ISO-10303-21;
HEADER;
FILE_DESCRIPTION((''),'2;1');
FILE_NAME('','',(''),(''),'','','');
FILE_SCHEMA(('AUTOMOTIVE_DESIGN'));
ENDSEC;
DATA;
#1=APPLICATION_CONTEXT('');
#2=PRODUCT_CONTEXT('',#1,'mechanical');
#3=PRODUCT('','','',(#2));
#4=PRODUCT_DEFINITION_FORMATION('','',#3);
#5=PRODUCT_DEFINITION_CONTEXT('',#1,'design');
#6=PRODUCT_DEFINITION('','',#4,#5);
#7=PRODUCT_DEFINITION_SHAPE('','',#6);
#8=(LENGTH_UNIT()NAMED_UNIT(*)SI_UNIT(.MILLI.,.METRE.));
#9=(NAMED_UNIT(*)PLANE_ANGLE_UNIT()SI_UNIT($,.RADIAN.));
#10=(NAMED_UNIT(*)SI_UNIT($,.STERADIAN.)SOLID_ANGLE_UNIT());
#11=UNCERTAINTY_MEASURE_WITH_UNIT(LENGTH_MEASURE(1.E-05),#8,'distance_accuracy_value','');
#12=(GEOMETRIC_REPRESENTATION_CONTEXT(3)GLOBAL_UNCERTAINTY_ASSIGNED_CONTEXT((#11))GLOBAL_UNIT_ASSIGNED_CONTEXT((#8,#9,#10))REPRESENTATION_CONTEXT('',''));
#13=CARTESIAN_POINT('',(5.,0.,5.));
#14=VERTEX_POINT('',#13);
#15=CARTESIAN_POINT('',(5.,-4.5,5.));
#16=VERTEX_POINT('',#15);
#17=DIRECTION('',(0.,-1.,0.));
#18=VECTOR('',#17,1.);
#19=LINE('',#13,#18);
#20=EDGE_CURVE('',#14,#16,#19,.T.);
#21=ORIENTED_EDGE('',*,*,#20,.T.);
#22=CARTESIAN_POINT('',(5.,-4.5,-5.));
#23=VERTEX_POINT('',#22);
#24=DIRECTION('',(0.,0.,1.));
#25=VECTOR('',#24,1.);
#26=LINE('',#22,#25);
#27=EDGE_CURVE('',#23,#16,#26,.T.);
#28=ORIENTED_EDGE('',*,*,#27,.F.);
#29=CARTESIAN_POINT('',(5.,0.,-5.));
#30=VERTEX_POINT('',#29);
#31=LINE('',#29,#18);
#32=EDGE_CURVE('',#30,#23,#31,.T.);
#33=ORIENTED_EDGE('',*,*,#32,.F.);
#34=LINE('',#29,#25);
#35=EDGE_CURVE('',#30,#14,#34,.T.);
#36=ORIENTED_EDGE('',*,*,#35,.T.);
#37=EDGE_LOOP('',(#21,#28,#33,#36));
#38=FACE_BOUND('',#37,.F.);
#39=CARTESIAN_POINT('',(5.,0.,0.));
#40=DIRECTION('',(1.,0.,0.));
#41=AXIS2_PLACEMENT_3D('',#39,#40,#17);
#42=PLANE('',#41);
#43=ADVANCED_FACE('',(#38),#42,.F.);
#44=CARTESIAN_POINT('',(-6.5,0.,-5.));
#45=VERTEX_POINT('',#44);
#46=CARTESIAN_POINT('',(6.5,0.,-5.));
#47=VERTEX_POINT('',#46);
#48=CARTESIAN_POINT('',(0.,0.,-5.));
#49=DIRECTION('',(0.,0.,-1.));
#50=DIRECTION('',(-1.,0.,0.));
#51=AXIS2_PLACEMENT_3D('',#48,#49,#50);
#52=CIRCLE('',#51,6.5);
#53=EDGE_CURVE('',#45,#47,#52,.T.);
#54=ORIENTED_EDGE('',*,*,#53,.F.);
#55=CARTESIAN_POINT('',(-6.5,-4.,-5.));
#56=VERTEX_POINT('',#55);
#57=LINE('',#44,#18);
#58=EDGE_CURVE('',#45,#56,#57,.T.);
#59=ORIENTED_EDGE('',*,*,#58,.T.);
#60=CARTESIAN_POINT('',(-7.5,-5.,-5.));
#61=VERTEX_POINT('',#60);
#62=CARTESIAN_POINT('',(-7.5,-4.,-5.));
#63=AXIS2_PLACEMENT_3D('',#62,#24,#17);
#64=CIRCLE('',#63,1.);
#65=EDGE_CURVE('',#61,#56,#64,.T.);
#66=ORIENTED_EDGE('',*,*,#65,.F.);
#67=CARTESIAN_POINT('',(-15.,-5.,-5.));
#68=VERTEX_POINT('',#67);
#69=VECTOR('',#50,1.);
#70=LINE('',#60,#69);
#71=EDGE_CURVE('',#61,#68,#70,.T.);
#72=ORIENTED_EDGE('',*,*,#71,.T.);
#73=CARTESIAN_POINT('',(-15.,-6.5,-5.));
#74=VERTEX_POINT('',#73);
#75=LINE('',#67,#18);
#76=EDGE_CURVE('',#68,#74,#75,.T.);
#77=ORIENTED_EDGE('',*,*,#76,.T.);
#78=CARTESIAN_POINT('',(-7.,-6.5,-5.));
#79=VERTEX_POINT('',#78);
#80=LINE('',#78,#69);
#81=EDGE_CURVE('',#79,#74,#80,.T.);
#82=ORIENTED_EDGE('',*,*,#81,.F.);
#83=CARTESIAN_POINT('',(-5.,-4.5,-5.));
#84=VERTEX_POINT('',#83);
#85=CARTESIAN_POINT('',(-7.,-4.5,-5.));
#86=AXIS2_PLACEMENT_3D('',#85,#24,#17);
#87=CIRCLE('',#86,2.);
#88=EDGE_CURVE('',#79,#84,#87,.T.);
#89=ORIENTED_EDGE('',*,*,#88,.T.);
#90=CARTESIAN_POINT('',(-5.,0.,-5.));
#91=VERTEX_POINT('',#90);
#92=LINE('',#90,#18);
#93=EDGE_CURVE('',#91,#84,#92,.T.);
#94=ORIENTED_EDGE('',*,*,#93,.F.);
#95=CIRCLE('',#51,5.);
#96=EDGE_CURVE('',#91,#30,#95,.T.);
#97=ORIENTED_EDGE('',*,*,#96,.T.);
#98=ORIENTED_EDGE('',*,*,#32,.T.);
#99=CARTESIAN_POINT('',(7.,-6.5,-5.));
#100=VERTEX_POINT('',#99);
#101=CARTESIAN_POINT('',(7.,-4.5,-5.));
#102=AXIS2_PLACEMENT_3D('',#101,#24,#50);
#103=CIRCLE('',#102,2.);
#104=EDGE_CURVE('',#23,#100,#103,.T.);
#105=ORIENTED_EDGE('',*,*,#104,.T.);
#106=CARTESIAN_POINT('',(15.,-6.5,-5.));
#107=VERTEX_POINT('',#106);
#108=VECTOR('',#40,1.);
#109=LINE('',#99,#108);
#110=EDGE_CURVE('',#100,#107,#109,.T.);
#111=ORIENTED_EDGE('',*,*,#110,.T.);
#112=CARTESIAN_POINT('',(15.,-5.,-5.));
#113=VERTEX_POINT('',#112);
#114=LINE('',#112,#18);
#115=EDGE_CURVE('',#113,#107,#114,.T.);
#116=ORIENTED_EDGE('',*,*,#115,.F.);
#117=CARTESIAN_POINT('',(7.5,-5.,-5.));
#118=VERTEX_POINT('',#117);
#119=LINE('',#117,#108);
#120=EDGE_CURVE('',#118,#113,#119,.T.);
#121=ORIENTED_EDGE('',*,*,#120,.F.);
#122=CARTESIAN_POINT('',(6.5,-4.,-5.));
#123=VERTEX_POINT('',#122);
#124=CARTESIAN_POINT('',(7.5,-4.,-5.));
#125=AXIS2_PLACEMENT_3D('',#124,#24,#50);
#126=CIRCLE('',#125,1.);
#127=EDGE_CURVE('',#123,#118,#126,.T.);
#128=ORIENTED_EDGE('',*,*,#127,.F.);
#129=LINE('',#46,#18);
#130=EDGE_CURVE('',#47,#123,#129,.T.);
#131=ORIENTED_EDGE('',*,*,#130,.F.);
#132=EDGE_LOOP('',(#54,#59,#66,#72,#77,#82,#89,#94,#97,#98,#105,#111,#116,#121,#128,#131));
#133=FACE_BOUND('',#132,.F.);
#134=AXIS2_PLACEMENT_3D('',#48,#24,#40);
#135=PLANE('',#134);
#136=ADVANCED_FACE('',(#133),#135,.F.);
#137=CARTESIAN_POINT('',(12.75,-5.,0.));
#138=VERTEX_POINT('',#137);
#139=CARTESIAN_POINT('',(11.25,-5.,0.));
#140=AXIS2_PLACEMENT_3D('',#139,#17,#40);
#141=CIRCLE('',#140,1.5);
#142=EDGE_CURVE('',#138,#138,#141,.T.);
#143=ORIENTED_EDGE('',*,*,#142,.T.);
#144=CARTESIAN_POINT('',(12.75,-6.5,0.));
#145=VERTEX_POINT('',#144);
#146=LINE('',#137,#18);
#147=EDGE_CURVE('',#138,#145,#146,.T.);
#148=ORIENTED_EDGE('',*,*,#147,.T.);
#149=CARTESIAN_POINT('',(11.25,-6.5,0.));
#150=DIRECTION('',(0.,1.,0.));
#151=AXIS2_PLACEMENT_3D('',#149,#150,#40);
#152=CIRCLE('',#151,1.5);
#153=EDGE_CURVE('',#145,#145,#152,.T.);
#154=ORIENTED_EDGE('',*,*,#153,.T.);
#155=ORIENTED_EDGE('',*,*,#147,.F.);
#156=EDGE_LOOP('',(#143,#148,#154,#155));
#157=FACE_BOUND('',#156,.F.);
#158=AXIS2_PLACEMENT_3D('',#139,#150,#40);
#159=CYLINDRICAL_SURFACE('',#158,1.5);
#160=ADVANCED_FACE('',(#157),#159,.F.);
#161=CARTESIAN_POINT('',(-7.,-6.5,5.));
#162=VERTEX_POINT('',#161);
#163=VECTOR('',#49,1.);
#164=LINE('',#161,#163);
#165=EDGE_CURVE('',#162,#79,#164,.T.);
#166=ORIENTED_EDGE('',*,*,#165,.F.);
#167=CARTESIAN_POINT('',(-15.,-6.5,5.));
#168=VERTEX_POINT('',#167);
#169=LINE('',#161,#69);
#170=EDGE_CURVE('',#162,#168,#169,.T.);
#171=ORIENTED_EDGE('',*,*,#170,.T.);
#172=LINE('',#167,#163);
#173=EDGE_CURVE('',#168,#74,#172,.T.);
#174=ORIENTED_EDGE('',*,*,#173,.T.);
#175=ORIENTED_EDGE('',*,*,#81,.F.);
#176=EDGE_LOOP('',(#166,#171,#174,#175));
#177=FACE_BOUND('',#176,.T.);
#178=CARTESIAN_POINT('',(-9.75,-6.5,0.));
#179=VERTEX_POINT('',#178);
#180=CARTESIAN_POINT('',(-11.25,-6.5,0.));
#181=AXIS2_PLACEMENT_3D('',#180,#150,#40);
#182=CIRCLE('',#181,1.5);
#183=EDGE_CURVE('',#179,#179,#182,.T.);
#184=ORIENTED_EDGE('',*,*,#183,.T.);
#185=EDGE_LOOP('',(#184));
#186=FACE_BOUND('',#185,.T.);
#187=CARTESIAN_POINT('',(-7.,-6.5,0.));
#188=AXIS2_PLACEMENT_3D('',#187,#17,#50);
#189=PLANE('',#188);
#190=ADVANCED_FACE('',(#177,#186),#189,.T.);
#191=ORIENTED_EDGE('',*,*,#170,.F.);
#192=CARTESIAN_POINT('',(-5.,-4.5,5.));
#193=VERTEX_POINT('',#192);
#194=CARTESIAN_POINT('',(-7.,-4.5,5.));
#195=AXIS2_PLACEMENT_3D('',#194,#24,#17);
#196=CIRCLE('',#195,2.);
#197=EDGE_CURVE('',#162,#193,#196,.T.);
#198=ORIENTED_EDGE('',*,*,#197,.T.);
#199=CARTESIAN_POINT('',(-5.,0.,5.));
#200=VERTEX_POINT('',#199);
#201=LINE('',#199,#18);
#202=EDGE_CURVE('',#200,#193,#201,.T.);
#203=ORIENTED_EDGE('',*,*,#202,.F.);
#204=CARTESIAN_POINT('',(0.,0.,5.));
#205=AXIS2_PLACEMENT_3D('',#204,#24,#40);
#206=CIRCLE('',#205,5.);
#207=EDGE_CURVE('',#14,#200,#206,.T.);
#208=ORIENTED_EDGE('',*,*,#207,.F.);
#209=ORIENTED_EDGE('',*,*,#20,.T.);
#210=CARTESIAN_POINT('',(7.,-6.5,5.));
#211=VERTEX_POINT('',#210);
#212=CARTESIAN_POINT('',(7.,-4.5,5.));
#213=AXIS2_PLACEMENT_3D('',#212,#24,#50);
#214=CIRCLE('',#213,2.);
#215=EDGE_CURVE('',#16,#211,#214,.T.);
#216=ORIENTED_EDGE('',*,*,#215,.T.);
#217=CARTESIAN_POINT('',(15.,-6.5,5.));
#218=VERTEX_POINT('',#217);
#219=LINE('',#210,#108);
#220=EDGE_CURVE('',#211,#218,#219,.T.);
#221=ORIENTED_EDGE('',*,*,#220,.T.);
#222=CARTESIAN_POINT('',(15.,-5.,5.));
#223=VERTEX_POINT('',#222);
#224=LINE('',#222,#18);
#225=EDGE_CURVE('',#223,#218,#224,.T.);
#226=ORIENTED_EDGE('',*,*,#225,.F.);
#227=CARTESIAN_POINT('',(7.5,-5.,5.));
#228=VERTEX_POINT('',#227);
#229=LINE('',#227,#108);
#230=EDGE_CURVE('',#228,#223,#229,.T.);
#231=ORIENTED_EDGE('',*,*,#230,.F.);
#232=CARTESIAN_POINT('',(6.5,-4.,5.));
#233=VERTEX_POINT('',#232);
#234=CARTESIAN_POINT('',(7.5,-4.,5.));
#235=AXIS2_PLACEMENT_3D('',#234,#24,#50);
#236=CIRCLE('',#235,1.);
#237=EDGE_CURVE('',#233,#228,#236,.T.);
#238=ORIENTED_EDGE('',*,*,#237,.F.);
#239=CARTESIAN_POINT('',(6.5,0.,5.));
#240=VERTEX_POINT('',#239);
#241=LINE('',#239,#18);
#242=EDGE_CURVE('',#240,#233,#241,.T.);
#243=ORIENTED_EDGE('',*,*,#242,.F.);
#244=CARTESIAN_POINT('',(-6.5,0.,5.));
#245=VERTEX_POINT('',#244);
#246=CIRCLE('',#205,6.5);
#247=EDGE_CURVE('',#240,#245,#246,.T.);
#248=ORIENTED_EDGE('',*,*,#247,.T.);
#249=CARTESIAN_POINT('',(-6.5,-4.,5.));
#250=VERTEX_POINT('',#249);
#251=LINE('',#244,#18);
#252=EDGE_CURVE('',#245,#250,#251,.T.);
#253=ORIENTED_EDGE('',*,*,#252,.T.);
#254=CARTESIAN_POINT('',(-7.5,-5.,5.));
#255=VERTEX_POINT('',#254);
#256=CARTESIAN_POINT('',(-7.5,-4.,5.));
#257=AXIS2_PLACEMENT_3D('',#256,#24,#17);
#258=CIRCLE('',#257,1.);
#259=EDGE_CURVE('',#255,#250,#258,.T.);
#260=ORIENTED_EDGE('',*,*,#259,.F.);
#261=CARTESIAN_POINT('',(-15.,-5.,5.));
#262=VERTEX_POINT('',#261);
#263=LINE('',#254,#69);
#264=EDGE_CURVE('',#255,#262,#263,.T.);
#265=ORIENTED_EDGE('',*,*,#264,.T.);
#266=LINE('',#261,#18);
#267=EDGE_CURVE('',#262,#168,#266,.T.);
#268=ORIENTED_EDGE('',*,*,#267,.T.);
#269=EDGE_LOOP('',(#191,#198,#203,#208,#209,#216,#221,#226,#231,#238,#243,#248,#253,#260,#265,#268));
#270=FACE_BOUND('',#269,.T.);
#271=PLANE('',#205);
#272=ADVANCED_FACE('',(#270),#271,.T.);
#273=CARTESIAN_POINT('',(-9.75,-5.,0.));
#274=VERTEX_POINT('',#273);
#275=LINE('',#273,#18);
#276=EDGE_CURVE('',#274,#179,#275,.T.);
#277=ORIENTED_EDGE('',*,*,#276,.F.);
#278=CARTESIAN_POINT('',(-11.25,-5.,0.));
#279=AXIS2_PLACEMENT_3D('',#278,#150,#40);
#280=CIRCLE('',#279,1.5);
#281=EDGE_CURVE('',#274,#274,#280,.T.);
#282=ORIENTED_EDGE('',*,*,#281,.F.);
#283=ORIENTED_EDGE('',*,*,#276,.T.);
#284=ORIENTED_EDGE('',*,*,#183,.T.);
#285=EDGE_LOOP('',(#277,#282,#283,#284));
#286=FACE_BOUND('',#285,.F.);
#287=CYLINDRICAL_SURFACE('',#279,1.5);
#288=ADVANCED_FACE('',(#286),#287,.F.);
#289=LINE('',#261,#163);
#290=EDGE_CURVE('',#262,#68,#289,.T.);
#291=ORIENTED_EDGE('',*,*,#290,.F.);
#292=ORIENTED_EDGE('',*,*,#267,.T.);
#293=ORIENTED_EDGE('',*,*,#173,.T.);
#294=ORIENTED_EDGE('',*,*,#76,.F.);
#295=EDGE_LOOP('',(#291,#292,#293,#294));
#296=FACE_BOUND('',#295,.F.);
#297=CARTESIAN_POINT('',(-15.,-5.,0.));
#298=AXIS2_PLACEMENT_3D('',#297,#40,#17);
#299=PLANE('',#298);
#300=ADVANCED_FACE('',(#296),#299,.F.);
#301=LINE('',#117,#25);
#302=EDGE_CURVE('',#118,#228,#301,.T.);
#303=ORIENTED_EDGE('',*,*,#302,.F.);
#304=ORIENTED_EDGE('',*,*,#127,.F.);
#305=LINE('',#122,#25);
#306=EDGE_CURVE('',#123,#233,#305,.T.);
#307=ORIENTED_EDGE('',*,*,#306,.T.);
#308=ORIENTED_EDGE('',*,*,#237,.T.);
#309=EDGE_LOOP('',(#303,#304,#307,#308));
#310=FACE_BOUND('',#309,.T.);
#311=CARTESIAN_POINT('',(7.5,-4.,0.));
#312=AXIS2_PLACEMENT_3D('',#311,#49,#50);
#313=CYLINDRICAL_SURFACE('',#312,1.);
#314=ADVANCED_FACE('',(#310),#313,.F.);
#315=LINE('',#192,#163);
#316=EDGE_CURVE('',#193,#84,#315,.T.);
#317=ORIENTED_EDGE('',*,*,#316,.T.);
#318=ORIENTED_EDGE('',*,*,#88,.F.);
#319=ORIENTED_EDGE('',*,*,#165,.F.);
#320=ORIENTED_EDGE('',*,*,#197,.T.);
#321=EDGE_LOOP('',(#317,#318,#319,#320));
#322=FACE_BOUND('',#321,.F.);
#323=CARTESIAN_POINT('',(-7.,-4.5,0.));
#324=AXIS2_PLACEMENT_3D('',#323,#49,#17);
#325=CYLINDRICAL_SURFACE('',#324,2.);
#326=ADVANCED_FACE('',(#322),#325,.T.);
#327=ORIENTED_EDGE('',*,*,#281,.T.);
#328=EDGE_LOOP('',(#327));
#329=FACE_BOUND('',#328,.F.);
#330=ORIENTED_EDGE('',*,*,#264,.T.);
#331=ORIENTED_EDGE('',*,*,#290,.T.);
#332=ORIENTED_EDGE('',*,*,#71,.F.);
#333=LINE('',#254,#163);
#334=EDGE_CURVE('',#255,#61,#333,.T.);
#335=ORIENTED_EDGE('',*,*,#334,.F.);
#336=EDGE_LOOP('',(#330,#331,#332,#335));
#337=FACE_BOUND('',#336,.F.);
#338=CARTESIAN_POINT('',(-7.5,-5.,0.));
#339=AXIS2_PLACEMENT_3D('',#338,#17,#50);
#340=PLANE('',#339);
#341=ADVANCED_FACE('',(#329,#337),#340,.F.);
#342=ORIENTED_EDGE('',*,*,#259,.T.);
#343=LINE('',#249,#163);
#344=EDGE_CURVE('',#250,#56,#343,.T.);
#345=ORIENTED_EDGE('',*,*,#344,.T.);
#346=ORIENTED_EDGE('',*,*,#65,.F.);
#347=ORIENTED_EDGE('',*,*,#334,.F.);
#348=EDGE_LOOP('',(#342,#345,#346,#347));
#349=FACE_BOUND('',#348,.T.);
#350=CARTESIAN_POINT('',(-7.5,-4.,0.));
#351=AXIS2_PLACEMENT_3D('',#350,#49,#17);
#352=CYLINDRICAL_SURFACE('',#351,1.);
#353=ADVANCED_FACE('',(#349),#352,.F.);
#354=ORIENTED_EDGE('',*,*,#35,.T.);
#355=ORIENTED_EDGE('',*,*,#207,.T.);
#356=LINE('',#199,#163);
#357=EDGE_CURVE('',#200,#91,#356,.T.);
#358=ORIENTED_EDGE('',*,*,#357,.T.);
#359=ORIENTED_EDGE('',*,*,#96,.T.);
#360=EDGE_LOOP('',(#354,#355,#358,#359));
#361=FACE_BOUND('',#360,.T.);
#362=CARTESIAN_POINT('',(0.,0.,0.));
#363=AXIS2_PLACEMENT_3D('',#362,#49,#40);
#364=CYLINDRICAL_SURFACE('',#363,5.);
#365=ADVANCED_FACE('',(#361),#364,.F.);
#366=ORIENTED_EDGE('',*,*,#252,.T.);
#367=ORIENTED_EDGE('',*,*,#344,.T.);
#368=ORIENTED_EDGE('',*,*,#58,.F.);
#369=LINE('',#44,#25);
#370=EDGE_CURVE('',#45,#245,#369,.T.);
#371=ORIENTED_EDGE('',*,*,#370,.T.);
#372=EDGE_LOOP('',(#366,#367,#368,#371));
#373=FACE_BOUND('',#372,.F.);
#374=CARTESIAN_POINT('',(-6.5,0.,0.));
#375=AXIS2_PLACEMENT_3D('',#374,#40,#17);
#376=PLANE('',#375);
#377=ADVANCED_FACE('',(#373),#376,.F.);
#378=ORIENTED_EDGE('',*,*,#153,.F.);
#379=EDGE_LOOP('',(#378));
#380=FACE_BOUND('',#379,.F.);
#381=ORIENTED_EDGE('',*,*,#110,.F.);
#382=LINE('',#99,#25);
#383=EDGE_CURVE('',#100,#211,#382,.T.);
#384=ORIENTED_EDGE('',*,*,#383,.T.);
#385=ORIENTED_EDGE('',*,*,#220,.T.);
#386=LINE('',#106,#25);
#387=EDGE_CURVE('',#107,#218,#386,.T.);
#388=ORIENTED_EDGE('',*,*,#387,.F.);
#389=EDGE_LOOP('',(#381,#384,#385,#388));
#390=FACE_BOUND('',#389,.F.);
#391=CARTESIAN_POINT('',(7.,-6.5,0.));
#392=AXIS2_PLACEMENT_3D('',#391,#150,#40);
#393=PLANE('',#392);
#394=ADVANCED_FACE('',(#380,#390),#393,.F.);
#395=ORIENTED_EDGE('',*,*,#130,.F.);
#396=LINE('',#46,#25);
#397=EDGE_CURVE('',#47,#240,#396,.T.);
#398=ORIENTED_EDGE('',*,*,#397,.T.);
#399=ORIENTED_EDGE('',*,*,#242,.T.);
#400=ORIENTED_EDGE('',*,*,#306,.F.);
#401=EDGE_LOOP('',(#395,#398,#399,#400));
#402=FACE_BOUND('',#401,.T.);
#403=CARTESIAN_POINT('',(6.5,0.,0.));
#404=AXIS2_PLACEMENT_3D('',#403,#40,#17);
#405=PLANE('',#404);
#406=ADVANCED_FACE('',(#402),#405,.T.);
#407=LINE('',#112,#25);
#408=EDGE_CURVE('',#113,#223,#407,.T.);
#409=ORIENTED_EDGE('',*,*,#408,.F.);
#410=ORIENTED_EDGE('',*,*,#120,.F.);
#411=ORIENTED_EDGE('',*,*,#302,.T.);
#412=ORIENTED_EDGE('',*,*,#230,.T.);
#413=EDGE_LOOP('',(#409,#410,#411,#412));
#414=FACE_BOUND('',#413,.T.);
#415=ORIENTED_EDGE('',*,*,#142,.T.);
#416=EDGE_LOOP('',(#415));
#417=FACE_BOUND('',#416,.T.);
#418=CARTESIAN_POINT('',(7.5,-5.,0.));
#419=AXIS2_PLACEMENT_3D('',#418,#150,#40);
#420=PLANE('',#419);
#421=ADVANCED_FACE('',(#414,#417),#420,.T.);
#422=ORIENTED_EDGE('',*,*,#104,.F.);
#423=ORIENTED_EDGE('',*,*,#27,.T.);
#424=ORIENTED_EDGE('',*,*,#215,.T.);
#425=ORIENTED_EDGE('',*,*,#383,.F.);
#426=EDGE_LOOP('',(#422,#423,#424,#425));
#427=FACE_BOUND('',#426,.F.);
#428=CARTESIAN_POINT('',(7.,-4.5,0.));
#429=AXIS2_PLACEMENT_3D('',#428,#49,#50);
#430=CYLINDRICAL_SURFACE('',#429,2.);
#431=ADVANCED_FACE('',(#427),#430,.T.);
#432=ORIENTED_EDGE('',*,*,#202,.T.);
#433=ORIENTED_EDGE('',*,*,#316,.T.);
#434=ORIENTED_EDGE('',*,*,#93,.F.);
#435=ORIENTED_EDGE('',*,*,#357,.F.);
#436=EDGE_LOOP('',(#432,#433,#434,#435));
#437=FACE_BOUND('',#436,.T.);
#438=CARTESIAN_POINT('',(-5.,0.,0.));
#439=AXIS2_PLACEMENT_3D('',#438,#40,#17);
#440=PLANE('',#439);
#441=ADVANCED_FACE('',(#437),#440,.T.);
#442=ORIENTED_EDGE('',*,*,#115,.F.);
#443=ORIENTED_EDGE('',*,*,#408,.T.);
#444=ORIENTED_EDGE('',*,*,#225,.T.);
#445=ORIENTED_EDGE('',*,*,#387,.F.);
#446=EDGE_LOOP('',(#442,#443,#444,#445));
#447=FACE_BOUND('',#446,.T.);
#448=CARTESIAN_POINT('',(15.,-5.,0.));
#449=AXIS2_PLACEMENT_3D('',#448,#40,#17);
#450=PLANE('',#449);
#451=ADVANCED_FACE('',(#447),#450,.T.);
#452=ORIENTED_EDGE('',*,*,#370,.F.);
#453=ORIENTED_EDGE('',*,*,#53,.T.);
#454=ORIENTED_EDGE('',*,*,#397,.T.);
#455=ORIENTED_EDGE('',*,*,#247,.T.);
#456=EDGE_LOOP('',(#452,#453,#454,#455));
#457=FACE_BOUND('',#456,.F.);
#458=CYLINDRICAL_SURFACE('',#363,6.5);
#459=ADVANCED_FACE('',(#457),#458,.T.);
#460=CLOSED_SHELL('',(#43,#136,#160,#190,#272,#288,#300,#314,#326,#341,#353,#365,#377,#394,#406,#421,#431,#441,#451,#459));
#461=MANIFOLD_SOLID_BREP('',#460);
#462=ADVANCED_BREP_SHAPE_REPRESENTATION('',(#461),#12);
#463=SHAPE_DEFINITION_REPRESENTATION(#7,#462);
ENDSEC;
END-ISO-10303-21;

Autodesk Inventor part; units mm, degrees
ref_plane "YZ Plane" through (0, 0, 0) normal (1, 0, 0) x (0, 1, 0)
ref_plane "XZ Plane" through (0, 0, 0) normal (0, 1, 0) x (-1, 0, 0)
ref_plane "XY Plane" through (0, 0, 0) normal (0, 0, 1) x (1, 0, 0)
sketch "Sketch1" plane through (0, 0, 0) normal (0, 0, 1) x (1, 0, 0)
  arc A0 (5, 0) -> (0, 5) centre (0, 0) ccw
  arc A1 (6.5, 0) -> (0, 6.5) centre (0, 0) ccw
  line L0 (7, -6.5) -> (15, -6.5)
  line L1 (7.5, -5) -> (15, -5)
  line L2 (15, -5) -> (15, -6.5)
  line L3 (6.5, 0) -> (6.5, -4)
  line L4 (5, 0) -> (5, -4.5)
  arc A2 (5, -4.5) -> (7, -6.5) centre (7, -4.5) ccw
  arc A3 (6.5, -4) -> (7.5, -5) centre (7.5, -4) ccw
  arc A4 (0, 5) -> (-5, 0) centre (0, 0) ccw
  arc A5 (0, 6.5) -> (-6.5, 0) centre (0, 0) ccw
  line L5 (-7, -6.5) -> (-15, -6.5)
  line L6 (-7.5, -5) -> (-15, -5)
  line L7 (-15, -5) -> (-15, -6.5)
  line L8 (-6.5, 0) -> (-6.5, -4)
  line L9 (-5, 0) -> (-5, -4.5)
  arc A6 (-7, -6.5) -> (-5, -4.5) centre (-7, -4.5) ccw
  arc A7 (-7.5, -5) -> (-6.5, -4) centre (-7.5, -4) ccw
  point P0 (0, -12.0627)
  dimension "d0" = 10
  dimension "d1" = 1.5
  dimension "d2" = 2
  dimension "d3" = 1
extrude "Extrusion1" add sketch "Sketch1" along normal mid plane 10
sketch "Sketch2" plane through (7.5, -5, 5) normal (0, 1, 0) x (1, 0, 0)
  circle A0 centre (-18.75, 5) radius 1.5
  line L0 (-22.5, 0) -> (-22.5, 10) projected
  line L1 (-7.5, -2.4485) -> (-7.5, 17.5561) construction
  circle A1 centre (3.75, 5) radius 1.5
  point P0 (-7.5, 5)
  dimension "d6" = 3
  dimension "d7" = 3.75
extrude "Extrusion2" cut sketch "Sketch2" against normal up to next
